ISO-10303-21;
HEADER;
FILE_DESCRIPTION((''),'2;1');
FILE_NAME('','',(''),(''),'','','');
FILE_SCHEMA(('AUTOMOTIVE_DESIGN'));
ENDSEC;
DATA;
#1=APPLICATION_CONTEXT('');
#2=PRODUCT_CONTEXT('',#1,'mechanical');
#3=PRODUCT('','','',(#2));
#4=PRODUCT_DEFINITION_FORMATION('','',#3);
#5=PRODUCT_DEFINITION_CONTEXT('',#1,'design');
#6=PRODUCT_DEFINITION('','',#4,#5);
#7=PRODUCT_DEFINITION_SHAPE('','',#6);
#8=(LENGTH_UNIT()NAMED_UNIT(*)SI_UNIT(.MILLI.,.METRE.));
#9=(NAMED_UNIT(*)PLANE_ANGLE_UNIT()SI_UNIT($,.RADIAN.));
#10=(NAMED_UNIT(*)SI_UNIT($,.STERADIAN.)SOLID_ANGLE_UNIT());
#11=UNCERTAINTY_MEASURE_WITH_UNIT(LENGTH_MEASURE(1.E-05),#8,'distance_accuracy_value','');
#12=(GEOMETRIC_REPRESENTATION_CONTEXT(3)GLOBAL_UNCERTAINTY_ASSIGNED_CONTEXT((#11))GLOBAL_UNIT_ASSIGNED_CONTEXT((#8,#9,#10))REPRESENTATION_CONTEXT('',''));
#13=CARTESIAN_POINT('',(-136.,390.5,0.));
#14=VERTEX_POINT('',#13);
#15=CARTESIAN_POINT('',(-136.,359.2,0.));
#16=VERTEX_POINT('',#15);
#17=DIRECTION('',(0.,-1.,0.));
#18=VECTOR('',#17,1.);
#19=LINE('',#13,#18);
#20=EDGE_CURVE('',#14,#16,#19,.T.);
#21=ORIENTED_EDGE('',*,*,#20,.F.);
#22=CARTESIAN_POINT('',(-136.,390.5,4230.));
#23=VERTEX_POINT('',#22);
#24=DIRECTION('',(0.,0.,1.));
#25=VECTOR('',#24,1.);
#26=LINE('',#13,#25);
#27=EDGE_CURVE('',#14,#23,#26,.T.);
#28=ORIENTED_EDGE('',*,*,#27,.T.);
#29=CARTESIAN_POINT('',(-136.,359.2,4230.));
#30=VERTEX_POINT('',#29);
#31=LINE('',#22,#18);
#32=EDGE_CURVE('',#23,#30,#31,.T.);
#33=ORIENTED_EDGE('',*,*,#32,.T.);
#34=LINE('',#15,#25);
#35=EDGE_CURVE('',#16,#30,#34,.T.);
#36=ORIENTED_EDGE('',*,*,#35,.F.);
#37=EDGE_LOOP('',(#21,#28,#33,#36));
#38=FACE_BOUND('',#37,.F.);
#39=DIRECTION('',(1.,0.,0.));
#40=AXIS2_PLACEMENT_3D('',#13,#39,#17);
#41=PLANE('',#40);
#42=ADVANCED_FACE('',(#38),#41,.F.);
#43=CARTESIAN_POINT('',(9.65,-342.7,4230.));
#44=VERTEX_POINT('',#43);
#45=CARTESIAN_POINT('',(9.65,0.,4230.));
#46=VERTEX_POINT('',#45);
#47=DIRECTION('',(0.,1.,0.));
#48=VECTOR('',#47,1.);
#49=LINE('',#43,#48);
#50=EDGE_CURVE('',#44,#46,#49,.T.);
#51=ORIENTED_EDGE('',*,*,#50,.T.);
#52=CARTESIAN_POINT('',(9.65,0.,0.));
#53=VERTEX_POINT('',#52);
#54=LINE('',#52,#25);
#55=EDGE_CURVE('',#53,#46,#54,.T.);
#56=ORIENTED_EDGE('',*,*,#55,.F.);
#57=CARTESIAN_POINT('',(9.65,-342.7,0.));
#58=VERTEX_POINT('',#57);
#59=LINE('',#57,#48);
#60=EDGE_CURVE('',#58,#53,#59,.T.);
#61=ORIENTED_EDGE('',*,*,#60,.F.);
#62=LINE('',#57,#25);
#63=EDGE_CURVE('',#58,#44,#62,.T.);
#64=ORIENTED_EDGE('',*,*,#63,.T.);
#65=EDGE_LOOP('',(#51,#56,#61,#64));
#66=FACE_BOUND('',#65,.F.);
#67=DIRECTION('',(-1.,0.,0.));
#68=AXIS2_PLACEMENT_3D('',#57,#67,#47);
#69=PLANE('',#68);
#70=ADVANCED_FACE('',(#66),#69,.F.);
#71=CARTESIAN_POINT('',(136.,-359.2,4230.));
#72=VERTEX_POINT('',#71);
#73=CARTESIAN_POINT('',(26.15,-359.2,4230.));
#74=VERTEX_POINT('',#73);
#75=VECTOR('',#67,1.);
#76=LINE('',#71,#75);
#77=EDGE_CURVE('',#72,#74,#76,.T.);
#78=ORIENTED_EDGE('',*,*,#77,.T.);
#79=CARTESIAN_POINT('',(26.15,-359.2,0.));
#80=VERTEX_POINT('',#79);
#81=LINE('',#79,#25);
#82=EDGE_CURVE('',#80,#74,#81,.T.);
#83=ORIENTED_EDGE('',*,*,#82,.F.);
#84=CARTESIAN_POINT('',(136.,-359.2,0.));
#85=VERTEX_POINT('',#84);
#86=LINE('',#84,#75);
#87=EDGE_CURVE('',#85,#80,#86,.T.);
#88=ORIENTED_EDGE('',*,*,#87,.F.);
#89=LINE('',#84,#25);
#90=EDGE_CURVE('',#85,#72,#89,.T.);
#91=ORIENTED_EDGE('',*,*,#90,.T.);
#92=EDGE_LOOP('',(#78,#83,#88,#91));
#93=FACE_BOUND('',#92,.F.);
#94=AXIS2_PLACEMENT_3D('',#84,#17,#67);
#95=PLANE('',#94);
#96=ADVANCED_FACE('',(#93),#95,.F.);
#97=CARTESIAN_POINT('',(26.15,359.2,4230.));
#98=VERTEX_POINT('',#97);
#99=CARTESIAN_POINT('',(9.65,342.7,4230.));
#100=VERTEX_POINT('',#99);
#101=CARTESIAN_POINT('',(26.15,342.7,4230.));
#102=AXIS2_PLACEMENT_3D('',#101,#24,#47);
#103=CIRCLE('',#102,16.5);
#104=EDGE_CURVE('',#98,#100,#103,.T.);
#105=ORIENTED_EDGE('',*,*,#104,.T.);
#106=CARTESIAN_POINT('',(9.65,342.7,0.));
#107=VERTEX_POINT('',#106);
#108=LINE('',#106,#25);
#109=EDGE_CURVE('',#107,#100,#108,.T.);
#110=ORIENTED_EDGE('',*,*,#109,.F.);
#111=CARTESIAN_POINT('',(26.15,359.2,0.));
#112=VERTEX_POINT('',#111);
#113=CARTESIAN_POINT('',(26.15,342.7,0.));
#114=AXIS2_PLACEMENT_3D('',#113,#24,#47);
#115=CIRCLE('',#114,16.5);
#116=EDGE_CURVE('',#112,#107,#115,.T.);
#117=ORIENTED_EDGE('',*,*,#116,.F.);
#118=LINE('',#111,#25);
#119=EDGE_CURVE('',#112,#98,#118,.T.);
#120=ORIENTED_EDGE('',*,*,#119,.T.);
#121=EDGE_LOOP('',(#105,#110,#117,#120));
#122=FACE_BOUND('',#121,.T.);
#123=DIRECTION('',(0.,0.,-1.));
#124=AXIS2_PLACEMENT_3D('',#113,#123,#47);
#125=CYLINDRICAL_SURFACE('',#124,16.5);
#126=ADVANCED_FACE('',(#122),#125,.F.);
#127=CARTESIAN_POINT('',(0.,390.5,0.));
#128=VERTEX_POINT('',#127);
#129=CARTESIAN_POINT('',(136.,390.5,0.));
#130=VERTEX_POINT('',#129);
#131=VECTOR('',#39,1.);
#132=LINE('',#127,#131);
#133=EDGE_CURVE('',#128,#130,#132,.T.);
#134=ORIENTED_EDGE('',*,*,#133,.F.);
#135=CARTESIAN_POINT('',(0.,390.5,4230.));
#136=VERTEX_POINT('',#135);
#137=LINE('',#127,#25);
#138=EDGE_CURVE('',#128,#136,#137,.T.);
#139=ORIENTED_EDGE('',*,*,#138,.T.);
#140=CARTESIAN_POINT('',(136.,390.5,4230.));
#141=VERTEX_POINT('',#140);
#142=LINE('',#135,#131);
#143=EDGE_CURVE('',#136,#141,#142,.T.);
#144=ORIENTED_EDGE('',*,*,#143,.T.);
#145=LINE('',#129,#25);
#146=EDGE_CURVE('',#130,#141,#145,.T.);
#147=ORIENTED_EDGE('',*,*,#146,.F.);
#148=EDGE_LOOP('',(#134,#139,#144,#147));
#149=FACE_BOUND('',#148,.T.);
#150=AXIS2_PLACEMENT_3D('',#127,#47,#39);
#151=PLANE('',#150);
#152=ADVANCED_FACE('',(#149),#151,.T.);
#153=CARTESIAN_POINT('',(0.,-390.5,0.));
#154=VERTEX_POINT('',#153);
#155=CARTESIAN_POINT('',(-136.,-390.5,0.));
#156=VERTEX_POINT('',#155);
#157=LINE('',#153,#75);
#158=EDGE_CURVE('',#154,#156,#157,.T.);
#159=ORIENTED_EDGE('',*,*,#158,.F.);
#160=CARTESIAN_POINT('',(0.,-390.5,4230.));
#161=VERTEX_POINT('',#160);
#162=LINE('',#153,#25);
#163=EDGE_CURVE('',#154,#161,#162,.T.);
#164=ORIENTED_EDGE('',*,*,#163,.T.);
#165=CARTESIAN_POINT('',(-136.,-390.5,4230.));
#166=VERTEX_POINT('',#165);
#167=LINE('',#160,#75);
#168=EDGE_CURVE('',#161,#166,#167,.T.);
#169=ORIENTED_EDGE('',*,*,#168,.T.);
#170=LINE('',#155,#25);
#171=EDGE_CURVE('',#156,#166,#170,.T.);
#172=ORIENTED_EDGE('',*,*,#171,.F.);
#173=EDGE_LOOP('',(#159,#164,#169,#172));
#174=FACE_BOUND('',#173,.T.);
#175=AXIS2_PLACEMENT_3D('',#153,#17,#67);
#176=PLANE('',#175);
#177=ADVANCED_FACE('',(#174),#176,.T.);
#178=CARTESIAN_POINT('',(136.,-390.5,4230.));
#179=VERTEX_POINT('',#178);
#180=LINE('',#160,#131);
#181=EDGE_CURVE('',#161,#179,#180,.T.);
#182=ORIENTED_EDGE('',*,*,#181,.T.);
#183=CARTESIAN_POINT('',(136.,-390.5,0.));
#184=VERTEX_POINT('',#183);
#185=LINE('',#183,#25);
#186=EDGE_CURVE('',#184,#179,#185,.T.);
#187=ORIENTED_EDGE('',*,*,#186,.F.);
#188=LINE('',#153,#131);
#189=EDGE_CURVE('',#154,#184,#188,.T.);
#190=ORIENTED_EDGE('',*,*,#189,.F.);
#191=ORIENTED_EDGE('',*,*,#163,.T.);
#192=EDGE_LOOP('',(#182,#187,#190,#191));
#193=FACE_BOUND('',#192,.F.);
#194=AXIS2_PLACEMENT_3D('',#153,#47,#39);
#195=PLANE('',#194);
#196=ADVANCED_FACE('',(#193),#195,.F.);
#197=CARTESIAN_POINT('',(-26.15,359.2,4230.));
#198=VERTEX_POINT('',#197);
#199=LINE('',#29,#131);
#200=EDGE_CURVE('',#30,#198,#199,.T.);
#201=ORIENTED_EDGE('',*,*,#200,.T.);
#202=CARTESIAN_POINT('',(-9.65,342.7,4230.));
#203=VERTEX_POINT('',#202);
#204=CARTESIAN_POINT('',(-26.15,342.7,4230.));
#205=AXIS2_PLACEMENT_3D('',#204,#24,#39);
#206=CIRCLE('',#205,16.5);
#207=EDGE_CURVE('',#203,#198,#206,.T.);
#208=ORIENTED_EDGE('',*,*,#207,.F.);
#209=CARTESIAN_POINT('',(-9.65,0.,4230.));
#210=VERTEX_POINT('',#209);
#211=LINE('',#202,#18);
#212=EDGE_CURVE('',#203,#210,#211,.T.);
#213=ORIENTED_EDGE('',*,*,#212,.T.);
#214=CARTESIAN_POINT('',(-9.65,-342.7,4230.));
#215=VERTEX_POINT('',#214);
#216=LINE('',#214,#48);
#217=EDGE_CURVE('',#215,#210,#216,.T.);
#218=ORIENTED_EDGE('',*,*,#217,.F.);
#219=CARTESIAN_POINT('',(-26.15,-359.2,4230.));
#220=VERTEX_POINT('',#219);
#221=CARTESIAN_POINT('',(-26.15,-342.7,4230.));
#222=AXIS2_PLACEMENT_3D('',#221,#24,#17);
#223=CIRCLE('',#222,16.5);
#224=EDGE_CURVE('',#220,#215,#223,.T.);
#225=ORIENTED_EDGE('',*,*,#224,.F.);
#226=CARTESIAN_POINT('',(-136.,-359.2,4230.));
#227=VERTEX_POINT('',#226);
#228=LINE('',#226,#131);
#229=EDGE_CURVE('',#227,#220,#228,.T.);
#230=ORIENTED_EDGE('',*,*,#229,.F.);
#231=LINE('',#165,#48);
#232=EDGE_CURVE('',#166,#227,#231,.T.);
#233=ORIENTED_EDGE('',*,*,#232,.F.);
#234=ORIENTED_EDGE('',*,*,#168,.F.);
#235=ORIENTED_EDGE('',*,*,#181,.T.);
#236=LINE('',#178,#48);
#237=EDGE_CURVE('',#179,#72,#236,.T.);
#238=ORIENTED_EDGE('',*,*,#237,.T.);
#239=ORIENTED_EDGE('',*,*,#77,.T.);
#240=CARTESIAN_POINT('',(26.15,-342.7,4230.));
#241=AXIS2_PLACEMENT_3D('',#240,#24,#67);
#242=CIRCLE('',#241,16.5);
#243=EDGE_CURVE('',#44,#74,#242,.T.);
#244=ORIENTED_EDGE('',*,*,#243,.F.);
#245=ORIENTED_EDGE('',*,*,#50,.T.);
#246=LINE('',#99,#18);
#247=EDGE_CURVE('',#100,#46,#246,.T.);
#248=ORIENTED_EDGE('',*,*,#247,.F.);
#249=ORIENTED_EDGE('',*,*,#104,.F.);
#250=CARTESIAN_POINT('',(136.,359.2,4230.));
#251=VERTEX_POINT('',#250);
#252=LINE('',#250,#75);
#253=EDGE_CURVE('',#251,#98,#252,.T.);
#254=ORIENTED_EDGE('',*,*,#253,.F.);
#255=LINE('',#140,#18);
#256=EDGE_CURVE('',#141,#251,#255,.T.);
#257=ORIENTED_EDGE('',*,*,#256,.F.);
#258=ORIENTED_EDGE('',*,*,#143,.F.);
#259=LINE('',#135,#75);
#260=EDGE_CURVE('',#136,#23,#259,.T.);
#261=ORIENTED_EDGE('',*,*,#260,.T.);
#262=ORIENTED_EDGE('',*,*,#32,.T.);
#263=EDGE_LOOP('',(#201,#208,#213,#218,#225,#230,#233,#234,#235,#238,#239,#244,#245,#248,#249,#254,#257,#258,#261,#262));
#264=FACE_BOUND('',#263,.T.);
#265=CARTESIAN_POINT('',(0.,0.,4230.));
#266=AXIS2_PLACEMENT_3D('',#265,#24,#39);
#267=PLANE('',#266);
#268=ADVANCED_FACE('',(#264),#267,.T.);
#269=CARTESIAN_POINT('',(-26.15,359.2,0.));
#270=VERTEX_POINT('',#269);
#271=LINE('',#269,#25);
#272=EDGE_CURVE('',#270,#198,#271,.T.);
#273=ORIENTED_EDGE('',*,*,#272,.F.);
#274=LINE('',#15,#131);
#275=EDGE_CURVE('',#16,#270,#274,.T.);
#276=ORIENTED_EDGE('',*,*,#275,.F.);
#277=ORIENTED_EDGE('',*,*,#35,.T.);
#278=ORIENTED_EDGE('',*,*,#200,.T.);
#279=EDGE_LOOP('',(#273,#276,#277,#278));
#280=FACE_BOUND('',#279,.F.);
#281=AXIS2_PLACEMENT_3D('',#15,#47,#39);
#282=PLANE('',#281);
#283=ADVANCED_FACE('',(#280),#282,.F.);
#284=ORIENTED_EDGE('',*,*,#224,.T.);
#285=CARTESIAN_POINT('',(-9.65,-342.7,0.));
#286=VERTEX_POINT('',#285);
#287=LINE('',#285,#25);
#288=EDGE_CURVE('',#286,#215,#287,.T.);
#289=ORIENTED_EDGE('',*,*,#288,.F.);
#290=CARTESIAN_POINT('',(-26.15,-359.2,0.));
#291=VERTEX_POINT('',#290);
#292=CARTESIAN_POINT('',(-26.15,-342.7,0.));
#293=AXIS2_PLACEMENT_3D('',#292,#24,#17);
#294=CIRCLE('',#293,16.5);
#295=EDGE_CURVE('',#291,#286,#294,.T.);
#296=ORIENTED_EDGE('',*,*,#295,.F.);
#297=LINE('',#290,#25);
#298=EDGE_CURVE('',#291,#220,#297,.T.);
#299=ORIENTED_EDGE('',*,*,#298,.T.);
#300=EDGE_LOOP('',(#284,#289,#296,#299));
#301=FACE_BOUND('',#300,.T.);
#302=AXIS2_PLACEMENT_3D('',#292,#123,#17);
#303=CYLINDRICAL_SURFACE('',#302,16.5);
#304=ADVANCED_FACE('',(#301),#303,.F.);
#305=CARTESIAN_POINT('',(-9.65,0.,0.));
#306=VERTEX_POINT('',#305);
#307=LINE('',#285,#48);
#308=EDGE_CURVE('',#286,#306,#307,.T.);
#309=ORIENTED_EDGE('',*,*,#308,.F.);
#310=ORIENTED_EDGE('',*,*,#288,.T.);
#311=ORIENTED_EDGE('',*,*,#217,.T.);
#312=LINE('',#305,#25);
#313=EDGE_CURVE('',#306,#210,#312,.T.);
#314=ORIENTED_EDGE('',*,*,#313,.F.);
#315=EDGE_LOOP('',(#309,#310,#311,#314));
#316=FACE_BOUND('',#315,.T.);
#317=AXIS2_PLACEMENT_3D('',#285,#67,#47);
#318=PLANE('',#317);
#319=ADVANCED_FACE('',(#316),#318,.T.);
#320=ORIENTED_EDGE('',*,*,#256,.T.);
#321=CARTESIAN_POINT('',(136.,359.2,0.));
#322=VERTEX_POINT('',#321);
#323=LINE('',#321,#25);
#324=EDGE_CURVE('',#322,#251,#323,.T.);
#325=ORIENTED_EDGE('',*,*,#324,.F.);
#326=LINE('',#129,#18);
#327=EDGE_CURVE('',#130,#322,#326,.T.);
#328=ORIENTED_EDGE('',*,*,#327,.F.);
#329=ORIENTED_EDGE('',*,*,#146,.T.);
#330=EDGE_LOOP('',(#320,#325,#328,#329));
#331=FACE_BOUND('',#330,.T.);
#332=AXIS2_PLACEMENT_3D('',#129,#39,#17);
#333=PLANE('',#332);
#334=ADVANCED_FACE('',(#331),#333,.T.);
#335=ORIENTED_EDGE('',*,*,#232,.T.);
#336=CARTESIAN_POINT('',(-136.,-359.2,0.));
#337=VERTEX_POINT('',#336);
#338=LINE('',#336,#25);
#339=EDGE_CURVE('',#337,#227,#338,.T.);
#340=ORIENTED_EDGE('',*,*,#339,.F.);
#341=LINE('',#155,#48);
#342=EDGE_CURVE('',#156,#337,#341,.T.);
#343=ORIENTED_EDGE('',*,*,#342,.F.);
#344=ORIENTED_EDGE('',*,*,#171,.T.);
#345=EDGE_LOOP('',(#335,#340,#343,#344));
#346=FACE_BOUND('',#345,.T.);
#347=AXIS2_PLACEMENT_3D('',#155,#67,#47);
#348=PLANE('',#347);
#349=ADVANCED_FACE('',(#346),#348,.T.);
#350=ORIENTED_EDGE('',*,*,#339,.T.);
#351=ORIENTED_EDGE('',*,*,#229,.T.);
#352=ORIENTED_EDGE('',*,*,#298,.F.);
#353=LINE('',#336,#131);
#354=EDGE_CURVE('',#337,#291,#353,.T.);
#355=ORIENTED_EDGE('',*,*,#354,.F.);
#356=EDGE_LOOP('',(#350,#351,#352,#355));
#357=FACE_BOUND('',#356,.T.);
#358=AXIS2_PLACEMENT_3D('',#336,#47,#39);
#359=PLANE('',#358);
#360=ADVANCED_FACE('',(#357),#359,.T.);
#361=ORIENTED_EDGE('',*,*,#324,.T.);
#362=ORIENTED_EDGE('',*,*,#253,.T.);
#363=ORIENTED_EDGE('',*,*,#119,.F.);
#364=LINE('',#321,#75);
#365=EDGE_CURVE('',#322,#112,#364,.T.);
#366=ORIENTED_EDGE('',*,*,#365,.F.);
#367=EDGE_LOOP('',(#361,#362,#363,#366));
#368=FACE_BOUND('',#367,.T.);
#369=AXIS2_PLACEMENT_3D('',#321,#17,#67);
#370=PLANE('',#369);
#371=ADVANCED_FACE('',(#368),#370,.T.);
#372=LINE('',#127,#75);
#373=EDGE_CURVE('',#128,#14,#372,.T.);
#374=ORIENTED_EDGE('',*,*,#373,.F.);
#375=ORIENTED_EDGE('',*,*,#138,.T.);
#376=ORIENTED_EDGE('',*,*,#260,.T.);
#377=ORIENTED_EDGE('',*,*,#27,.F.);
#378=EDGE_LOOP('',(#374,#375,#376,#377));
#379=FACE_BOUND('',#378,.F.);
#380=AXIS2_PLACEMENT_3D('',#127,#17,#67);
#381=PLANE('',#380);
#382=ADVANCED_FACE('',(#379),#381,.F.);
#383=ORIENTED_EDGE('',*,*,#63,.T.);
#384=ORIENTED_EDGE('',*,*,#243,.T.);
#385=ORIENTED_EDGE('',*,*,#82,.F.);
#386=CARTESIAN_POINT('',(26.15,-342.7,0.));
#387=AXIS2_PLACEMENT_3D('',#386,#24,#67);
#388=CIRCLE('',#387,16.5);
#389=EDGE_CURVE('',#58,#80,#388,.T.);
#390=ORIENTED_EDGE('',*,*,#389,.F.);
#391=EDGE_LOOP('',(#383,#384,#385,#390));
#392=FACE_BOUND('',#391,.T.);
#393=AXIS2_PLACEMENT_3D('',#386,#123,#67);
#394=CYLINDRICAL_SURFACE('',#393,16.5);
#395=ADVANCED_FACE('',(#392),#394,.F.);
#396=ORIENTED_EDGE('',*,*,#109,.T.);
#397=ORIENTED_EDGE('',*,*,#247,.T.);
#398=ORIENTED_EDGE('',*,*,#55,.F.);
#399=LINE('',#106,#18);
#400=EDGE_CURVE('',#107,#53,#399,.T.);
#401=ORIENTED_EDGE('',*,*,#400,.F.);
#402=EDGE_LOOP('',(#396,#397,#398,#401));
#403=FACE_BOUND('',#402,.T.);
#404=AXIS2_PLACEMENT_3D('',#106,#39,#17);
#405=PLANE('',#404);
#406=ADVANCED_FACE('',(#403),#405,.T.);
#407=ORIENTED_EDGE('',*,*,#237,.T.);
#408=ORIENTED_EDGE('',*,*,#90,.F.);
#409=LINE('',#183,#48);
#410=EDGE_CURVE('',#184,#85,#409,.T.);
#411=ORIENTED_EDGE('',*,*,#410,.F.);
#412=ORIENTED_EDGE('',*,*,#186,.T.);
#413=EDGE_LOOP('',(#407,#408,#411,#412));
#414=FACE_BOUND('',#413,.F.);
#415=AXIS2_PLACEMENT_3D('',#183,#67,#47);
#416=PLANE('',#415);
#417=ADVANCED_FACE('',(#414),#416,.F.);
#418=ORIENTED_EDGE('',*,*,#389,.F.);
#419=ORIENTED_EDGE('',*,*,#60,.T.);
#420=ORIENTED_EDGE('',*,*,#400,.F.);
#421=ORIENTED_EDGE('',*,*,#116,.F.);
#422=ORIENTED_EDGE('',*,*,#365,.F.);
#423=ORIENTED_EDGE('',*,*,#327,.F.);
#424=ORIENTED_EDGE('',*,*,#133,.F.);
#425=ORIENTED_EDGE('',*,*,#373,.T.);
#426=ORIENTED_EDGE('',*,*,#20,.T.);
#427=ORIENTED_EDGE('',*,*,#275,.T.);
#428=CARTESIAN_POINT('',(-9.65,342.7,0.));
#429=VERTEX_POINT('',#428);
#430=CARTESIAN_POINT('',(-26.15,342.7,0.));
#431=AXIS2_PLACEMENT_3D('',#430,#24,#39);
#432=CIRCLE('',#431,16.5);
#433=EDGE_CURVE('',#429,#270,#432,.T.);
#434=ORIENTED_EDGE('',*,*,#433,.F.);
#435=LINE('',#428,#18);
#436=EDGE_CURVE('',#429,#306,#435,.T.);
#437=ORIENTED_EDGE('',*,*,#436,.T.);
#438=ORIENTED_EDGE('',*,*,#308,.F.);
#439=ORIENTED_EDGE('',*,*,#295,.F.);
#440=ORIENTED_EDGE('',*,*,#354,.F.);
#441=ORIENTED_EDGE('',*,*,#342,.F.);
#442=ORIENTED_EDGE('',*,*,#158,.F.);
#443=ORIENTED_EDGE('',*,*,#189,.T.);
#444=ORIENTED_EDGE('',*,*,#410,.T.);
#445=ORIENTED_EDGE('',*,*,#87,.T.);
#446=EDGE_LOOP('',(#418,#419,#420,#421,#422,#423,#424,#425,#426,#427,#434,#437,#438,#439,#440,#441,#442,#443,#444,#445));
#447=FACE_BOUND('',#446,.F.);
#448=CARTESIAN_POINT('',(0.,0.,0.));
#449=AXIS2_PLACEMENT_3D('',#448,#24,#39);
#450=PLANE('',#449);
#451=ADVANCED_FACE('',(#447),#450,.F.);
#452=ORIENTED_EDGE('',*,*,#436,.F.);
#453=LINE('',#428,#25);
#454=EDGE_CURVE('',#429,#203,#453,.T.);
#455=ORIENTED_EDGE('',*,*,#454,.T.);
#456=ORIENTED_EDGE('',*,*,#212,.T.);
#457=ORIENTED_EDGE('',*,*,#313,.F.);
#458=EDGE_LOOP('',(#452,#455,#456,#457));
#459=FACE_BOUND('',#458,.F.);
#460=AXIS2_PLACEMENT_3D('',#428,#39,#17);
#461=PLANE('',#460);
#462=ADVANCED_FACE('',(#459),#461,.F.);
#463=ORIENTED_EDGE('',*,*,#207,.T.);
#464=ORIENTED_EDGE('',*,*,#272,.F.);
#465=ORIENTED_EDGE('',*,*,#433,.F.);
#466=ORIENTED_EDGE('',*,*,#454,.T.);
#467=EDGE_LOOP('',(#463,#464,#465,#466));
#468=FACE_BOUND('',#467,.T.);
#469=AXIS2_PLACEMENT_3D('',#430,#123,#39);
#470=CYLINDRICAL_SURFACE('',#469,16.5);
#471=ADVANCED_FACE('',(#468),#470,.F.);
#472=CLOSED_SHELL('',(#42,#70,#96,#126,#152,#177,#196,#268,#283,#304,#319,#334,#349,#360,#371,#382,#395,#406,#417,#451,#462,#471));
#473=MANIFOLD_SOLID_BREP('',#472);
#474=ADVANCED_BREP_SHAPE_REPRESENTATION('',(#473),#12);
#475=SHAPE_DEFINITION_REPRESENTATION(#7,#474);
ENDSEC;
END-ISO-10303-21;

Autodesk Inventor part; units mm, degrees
ref_plane "YZ Plane" through (0, 0, 0) normal (1, 0, 0) x (0, 1, 0)
ref_plane "Start plane" through (0, 0, 0) normal (0, 0, 1) x (1, 0, 0)
ref_plane "End plane" through (0, 0, 4230) normal (0, 0, 1) x (1, 0, 0)
sketch "Sketch" plane through (0, 0, 0) normal (0, 0, 1) x (1, 0, 0)
  line L0 (-136, -390.5) -> (-136, -359.2)
  line L1 (-136, -359.2) -> (-26.15, -359.2)
  line L2 (-9.65, -342.7) -> (-9.65, 0)
  line L3 (-9.65, 0) -> (0, 0) construction
  line L4 (0, 0) -> (0, -390.5) construction
  line L5 (0, -390.5) -> (-136, -390.5)
  line L6 (-60, 0) -> (80, 0) construction
  line L7 (0, -60) -> (0, 80) construction
  line L8 (136, -390.5) -> (136, -359.2)
  line L9 (136, -359.2) -> (26.15, -359.2)
  line L10 (9.65, -342.7) -> (9.65, 0)
  line L11 (9.65, 0) -> (0, 0) construction
  line L12 (0, -390.5) -> (136, -390.5)
  line L13 (-136, 390.5) -> (-136, 359.2)
  line L14 (-136, 359.2) -> (-26.15, 359.2)
  line L15 (-9.65, 342.7) -> (-9.65, 0)
  line L16 (0, 390.5) -> (-136, 390.5)
  line L17 (136, 390.5) -> (136, 359.2)
  line L18 (136, 359.2) -> (26.15, 359.2)
  line L19 (0, 390.5) -> (136, 390.5)
  line L20 (9.65, 342.7) -> (9.65, 0)
  arc A0 (-9.65, 342.7) -> (-26.15, 359.2) centre (-26.15, 342.7) ccw
  arc A1 (26.15, 359.2) -> (9.65, 342.7) centre (26.15, 342.7) ccw
  arc A2 (9.65, -342.7) -> (26.15, -359.2) centre (26.15, -342.7) ccw
  arc A3 (-26.15, -359.2) -> (-9.65, -342.7) centre (-26.15, -342.7) ccw
  line L21 (0, 108) -> (0, -88) construction
  line L22 (-88, 0) -> (108, 0) construction
  point P0 (-9.65, -359.2)
  point P1 (9.65, -359.2)
  point P2 (-9.65, 359.2)
  point P3 (9.65, 359.2)
  dimension "d1" = 390.5
  dimension "d2" = 31.3
  dimension "d3" = 136
  dimension "d4" = 9.65
  dimension "d10" = 16.5
extrude "Body" add sketch "Sketch" along normal up to surface (4230 mm away) from surface at 0
sketch "Sketch4" plane through (0, 0, 0) normal (0, 0, 1) x (1, 0, 0)
  line L0 (0, 0) -> (10, 0)
ref_plane "Work Plane3" through (0, 0, 0) normal (0, -1, 0) x (1, 0, 0)
sketch "Sketch5" plane through (0, 0, 0) normal (0, -1, 0) x (1, 0, 0)
  line L0 (-2, 0) -> (12, 0) projected
  line L1 (-2, 4230) -> (12, 4230) projected
  dimension "d14" = 4230
equation "\"d1\" = 0.5 * G_H"
equation "\"d2\" = G_T1"
equation "\"d3\" = 0.5 * G_W"
equation "\"d4\" = 0.5 * G_T"
equation "\"d10\" = G_IR"
equation "\"d5\" = G_L"
equation "\"G_W\" = 272"
equation "\"G_H\" = 781"
equation "\"G_T\" = 19.3"
equation "\"G_T1\" = 31.3"
equation "\"G_IR\" = 16.5"
equation "\"G_L\" = d14"
equation "\"G_OFFSET_START\" = 0"
equation "\"G_OFFSET_END\" = 0"
properties part number "AS 3679-1990 - 760 UB - 244 - 4230" material "Steel, Mild"
